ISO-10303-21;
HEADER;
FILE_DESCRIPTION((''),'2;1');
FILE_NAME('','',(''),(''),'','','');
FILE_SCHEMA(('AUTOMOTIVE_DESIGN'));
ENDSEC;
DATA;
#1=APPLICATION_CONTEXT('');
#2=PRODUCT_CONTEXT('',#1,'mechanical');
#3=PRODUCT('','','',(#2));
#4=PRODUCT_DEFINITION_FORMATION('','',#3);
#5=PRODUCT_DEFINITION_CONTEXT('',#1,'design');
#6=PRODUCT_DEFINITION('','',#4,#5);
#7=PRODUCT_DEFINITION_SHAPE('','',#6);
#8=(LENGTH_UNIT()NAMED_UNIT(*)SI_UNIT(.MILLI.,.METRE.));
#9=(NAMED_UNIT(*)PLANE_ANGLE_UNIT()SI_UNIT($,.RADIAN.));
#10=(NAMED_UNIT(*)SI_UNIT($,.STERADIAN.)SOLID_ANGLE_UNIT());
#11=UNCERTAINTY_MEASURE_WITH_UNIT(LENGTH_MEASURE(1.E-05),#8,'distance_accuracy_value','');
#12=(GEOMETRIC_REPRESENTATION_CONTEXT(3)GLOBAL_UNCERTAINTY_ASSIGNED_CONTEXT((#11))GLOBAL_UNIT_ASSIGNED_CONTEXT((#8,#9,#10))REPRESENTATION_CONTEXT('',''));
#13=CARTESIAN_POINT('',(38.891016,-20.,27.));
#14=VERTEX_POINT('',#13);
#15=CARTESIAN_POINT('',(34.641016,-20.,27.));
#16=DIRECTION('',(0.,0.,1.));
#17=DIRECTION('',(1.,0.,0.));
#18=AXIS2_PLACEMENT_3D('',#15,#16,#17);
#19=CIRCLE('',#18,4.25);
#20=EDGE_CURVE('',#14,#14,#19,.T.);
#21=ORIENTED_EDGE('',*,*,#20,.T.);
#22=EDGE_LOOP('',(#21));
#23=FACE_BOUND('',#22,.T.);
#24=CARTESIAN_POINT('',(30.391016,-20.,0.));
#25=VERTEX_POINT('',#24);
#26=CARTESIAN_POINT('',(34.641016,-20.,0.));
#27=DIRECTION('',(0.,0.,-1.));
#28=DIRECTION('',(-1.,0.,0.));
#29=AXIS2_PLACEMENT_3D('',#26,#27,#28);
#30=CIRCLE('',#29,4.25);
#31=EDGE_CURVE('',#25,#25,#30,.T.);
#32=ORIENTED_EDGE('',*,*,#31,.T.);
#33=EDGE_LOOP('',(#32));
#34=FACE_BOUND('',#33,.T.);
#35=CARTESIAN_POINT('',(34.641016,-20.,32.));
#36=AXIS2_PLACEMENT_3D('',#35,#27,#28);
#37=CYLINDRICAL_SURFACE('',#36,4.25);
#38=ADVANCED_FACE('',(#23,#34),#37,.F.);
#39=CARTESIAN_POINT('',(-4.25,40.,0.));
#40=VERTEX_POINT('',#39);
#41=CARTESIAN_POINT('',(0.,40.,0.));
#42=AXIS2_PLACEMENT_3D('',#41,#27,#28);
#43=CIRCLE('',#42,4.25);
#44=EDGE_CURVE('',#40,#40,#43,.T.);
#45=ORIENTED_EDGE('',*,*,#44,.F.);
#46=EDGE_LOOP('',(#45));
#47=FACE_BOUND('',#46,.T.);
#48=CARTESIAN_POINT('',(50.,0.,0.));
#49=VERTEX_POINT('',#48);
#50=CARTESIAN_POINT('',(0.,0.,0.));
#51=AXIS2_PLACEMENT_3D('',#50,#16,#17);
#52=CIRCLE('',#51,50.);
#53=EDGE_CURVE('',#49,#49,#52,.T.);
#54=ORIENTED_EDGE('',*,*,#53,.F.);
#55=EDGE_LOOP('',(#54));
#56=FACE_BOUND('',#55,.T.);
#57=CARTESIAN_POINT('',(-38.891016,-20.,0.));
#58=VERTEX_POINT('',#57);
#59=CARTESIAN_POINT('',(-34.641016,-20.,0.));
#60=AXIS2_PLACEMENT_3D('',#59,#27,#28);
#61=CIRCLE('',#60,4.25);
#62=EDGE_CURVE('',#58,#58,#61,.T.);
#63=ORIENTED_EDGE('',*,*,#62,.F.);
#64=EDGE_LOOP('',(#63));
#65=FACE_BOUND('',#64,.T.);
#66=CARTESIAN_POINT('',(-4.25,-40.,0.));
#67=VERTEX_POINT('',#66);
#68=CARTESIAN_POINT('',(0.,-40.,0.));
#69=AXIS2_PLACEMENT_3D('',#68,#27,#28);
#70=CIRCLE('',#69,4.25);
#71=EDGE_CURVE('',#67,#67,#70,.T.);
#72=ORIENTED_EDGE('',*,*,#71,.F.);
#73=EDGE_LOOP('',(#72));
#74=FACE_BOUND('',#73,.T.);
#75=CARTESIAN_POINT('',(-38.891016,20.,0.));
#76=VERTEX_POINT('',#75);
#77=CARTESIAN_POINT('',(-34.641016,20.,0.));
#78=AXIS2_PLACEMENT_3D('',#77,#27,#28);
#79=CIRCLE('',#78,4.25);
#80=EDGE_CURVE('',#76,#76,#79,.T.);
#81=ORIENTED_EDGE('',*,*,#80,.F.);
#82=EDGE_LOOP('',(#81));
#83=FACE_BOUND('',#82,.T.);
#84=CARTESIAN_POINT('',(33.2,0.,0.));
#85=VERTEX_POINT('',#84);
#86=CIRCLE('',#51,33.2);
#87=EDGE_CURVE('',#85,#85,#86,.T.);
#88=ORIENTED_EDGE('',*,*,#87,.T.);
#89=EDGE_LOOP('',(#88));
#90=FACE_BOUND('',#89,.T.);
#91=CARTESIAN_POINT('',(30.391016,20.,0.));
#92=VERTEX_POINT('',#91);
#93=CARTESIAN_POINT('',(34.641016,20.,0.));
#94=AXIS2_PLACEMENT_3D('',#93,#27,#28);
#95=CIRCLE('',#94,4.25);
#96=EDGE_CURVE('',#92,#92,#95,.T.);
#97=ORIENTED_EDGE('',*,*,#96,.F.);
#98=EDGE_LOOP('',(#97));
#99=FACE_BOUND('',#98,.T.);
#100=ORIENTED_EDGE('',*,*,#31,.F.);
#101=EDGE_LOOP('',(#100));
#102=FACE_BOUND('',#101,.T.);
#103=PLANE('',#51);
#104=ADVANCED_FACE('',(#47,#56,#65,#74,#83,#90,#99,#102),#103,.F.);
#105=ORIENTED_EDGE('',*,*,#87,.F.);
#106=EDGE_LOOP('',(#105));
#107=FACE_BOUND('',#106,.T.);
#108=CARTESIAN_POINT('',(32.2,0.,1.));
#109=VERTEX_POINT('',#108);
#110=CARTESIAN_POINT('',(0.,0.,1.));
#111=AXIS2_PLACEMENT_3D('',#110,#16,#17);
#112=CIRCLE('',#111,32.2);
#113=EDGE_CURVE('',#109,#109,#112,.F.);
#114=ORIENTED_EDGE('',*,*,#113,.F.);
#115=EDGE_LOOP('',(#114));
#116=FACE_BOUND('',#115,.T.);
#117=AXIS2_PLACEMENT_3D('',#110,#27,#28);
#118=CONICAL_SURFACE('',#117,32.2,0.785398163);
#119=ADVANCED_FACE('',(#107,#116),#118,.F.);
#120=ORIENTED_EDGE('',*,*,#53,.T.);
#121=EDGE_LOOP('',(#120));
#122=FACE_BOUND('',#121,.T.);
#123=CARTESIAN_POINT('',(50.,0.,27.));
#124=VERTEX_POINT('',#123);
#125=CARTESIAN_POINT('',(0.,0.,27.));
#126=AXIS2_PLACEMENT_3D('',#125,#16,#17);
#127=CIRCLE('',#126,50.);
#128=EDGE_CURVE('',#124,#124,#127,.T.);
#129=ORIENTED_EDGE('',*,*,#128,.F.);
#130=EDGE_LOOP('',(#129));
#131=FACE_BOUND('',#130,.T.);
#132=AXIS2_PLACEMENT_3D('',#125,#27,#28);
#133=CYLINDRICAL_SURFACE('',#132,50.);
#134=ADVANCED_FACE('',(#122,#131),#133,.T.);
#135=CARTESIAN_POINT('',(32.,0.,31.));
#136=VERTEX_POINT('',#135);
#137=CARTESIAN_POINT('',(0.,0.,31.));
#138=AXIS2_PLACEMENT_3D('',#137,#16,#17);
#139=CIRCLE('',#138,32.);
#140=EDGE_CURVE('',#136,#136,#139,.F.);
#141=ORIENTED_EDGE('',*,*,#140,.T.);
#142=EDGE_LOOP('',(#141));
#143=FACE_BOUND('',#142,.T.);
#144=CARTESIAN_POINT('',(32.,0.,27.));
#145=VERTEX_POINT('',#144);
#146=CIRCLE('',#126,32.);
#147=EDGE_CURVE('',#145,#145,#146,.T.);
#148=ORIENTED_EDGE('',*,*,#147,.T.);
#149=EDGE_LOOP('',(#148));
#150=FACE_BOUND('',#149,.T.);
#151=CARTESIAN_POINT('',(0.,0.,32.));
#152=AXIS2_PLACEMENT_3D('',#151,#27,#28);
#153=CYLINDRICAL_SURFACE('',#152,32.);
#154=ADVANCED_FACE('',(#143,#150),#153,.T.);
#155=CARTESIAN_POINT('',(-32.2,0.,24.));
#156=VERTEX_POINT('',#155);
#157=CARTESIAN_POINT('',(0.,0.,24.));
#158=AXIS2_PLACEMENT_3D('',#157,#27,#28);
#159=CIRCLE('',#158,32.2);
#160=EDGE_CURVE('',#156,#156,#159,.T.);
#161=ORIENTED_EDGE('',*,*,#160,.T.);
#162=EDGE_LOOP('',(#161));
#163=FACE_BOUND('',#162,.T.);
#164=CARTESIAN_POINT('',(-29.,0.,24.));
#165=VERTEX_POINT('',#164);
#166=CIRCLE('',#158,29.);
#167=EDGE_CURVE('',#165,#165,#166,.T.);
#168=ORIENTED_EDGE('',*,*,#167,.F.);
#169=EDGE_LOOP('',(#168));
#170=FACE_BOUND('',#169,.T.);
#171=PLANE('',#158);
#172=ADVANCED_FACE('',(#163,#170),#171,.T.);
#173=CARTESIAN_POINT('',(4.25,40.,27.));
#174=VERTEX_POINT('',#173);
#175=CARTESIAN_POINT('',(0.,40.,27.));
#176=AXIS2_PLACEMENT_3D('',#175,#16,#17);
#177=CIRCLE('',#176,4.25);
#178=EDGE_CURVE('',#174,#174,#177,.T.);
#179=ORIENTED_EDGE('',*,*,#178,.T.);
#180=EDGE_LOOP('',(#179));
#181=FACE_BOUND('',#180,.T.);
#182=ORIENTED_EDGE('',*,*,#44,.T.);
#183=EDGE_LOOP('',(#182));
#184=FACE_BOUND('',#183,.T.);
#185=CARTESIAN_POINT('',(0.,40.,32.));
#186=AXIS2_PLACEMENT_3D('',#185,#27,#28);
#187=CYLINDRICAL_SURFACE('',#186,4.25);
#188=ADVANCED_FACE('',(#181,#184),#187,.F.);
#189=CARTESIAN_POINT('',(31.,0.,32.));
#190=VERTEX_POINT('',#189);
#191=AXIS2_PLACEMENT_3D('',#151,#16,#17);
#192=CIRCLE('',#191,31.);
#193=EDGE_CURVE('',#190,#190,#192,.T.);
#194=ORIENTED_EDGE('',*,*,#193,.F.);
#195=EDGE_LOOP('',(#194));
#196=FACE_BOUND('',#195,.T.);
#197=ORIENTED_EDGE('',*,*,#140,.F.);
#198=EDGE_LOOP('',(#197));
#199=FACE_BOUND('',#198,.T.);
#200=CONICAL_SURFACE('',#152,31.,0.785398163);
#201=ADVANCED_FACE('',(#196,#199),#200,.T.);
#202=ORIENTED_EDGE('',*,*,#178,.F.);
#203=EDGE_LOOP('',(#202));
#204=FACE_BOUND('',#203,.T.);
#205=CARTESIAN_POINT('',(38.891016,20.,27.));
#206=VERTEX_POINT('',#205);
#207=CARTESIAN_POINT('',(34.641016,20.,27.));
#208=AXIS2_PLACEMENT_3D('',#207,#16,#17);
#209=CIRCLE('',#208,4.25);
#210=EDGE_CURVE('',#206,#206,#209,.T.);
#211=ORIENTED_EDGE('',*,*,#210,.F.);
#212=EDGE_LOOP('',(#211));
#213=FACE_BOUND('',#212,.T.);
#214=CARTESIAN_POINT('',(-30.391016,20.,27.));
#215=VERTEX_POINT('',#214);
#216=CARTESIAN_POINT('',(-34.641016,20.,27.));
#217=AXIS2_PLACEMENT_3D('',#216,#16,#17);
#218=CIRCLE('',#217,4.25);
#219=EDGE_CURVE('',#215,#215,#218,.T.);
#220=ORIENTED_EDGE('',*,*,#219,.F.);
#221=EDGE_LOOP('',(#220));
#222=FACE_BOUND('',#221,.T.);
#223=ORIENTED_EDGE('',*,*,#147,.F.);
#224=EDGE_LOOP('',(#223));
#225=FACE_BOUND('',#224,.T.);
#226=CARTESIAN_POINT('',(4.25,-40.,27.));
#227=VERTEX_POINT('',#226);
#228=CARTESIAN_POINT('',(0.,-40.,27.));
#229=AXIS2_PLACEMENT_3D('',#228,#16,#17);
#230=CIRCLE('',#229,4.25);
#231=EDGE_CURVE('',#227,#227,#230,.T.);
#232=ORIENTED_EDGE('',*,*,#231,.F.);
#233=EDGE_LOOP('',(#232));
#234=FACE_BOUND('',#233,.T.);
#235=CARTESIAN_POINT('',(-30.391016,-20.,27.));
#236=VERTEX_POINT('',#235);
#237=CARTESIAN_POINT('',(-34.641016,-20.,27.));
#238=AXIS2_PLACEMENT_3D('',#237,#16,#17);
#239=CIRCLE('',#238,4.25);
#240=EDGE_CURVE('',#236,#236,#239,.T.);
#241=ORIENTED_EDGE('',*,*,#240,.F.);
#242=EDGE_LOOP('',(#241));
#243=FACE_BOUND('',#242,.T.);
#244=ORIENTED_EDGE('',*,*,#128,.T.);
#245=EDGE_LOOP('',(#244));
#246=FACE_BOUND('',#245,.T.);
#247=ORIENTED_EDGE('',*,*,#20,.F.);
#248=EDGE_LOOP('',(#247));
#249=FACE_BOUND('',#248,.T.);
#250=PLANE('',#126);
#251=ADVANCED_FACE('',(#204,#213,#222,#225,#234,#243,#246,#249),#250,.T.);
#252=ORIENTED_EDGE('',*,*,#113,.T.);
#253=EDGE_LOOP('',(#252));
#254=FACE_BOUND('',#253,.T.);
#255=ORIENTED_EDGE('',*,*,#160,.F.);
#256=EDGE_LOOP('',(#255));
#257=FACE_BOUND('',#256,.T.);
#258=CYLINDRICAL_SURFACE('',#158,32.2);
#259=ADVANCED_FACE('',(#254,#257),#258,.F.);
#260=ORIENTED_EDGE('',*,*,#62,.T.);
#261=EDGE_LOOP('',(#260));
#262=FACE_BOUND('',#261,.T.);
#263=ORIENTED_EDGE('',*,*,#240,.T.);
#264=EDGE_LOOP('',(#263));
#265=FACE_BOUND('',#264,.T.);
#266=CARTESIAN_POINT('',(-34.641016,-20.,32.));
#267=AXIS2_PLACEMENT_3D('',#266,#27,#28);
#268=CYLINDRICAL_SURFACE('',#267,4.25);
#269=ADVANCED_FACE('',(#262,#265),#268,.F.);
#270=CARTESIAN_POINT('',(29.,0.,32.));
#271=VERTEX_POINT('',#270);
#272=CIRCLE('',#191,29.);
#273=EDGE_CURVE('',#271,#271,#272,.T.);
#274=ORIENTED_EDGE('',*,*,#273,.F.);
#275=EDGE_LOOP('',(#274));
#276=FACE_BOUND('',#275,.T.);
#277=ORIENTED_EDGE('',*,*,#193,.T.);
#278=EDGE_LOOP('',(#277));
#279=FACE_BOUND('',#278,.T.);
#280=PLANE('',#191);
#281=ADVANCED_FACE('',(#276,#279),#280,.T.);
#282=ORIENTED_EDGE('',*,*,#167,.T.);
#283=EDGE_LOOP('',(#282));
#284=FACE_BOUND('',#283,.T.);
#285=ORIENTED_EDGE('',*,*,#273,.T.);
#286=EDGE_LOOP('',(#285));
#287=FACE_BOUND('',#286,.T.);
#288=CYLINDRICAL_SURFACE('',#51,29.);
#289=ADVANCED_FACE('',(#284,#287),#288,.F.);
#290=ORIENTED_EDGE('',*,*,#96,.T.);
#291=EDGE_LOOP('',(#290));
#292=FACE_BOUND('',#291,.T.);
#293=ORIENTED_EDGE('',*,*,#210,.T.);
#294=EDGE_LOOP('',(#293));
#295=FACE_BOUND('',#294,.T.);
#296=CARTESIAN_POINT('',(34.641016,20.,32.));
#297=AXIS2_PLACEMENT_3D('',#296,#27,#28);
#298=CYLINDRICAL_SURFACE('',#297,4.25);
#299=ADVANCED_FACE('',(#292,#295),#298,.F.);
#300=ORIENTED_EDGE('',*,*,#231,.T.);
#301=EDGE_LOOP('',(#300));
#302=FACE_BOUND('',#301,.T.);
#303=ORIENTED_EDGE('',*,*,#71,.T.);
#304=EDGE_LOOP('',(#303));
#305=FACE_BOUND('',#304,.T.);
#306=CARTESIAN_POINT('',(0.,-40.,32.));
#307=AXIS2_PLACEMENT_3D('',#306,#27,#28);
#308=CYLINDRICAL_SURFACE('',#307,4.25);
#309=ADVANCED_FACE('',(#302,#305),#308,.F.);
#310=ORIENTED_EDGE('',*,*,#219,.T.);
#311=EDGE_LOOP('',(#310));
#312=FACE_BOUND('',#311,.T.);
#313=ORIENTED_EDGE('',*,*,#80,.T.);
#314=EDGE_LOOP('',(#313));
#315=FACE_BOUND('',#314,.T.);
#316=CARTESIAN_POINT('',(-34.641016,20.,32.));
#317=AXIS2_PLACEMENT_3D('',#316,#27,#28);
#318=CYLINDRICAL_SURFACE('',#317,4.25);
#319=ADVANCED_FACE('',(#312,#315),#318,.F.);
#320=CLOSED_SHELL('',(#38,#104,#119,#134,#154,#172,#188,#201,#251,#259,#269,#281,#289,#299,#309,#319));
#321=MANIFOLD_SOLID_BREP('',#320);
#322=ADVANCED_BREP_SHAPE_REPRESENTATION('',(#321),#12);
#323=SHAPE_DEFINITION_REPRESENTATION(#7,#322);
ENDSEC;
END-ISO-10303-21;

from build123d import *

# Parameters (mm, degrees)
ESQUISSE2_R             = 50
BOSS_EXTRU_1_DEPTH      = 27
ESQUISSE3_R             = 32.2
ENL_V_MAT_EXTRU_1_DEPTH = 24
ESQUISSE4_R             = 32
BOSS_EXTRU_2_DEPTH      = 5
ESQUISSE5_R             = 29
ENL_V_MAT_EXTRU_2_DEPTH = 33
ESQUISSE6_R             = 4.25
ENL_V_MAT_EXTRU_3_DEPTH = 33
CHANFREIN1_SIZE         = 1


with BuildPart() as part:
    # Esquisse2 → Boss.-Extru.1 (new body)
    with BuildSketch(Plane.XY):
        Circle(ESQUISSE2_R)
    extrude(amount=BOSS_EXTRU_1_DEPTH)

    # Esquisse3 → Enlèv. mat.-Extru.1 (cut)
    with BuildSketch(Plane(origin=(0, 0, 0), x_dir=(-1, 0, 0), z_dir=(0, 0, -1))):
        Circle(ESQUISSE3_R)
    extrude(amount=-ENL_V_MAT_EXTRU_1_DEPTH, mode=Mode.SUBTRACT)

    # Esquisse4 → Boss.-Extru.2 (add)
    with BuildSketch(Plane.XY.offset(27)):
        Circle(ESQUISSE4_R)
    extrude(amount=BOSS_EXTRU_2_DEPTH)

    # Esquisse5 → Enlèv. mat.-Extru.2 (cut, through all)
    with BuildSketch(Plane.XY.offset(32)):
        Circle(ESQUISSE5_R)
    extrude(amount=-ENL_V_MAT_EXTRU_2_DEPTH, mode=Mode.SUBTRACT)

    # Esquisse6 → Enlèv. mat.-Extru.3 (cut, through all)
    with BuildSketch(Plane(origin=(0, 0, 0), x_dir=(-1, 0, 0), z_dir=(0, 0, -1))):
        with Locations((0, 40)):
            Circle(ESQUISSE6_R)
        with Locations((34.641016151, 20)):
            Circle(ESQUISSE6_R)
        with Locations((34.641016151, -20)):
            Circle(ESQUISSE6_R)
        with Locations((0, -40)):
            Circle(ESQUISSE6_R)
        with Locations((-34.641016151, -20)):
            Circle(ESQUISSE6_R)
        with Locations((-34.641016151, 20)):
            Circle(ESQUISSE6_R)
    extrude(amount=-ENL_V_MAT_EXTRU_3_DEPTH, mode=Mode.SUBTRACT)

    # Chanfrein1
    chanfrein1_edges = [part.edges().sort_by_distance(p)[0] for p in [
        (-32, 0, 32),
        (32.2, 0, 0),
    ]]
    chamfer(chanfrein1_edges, length=CHANFREIN1_SIZE)


solid = part.part
